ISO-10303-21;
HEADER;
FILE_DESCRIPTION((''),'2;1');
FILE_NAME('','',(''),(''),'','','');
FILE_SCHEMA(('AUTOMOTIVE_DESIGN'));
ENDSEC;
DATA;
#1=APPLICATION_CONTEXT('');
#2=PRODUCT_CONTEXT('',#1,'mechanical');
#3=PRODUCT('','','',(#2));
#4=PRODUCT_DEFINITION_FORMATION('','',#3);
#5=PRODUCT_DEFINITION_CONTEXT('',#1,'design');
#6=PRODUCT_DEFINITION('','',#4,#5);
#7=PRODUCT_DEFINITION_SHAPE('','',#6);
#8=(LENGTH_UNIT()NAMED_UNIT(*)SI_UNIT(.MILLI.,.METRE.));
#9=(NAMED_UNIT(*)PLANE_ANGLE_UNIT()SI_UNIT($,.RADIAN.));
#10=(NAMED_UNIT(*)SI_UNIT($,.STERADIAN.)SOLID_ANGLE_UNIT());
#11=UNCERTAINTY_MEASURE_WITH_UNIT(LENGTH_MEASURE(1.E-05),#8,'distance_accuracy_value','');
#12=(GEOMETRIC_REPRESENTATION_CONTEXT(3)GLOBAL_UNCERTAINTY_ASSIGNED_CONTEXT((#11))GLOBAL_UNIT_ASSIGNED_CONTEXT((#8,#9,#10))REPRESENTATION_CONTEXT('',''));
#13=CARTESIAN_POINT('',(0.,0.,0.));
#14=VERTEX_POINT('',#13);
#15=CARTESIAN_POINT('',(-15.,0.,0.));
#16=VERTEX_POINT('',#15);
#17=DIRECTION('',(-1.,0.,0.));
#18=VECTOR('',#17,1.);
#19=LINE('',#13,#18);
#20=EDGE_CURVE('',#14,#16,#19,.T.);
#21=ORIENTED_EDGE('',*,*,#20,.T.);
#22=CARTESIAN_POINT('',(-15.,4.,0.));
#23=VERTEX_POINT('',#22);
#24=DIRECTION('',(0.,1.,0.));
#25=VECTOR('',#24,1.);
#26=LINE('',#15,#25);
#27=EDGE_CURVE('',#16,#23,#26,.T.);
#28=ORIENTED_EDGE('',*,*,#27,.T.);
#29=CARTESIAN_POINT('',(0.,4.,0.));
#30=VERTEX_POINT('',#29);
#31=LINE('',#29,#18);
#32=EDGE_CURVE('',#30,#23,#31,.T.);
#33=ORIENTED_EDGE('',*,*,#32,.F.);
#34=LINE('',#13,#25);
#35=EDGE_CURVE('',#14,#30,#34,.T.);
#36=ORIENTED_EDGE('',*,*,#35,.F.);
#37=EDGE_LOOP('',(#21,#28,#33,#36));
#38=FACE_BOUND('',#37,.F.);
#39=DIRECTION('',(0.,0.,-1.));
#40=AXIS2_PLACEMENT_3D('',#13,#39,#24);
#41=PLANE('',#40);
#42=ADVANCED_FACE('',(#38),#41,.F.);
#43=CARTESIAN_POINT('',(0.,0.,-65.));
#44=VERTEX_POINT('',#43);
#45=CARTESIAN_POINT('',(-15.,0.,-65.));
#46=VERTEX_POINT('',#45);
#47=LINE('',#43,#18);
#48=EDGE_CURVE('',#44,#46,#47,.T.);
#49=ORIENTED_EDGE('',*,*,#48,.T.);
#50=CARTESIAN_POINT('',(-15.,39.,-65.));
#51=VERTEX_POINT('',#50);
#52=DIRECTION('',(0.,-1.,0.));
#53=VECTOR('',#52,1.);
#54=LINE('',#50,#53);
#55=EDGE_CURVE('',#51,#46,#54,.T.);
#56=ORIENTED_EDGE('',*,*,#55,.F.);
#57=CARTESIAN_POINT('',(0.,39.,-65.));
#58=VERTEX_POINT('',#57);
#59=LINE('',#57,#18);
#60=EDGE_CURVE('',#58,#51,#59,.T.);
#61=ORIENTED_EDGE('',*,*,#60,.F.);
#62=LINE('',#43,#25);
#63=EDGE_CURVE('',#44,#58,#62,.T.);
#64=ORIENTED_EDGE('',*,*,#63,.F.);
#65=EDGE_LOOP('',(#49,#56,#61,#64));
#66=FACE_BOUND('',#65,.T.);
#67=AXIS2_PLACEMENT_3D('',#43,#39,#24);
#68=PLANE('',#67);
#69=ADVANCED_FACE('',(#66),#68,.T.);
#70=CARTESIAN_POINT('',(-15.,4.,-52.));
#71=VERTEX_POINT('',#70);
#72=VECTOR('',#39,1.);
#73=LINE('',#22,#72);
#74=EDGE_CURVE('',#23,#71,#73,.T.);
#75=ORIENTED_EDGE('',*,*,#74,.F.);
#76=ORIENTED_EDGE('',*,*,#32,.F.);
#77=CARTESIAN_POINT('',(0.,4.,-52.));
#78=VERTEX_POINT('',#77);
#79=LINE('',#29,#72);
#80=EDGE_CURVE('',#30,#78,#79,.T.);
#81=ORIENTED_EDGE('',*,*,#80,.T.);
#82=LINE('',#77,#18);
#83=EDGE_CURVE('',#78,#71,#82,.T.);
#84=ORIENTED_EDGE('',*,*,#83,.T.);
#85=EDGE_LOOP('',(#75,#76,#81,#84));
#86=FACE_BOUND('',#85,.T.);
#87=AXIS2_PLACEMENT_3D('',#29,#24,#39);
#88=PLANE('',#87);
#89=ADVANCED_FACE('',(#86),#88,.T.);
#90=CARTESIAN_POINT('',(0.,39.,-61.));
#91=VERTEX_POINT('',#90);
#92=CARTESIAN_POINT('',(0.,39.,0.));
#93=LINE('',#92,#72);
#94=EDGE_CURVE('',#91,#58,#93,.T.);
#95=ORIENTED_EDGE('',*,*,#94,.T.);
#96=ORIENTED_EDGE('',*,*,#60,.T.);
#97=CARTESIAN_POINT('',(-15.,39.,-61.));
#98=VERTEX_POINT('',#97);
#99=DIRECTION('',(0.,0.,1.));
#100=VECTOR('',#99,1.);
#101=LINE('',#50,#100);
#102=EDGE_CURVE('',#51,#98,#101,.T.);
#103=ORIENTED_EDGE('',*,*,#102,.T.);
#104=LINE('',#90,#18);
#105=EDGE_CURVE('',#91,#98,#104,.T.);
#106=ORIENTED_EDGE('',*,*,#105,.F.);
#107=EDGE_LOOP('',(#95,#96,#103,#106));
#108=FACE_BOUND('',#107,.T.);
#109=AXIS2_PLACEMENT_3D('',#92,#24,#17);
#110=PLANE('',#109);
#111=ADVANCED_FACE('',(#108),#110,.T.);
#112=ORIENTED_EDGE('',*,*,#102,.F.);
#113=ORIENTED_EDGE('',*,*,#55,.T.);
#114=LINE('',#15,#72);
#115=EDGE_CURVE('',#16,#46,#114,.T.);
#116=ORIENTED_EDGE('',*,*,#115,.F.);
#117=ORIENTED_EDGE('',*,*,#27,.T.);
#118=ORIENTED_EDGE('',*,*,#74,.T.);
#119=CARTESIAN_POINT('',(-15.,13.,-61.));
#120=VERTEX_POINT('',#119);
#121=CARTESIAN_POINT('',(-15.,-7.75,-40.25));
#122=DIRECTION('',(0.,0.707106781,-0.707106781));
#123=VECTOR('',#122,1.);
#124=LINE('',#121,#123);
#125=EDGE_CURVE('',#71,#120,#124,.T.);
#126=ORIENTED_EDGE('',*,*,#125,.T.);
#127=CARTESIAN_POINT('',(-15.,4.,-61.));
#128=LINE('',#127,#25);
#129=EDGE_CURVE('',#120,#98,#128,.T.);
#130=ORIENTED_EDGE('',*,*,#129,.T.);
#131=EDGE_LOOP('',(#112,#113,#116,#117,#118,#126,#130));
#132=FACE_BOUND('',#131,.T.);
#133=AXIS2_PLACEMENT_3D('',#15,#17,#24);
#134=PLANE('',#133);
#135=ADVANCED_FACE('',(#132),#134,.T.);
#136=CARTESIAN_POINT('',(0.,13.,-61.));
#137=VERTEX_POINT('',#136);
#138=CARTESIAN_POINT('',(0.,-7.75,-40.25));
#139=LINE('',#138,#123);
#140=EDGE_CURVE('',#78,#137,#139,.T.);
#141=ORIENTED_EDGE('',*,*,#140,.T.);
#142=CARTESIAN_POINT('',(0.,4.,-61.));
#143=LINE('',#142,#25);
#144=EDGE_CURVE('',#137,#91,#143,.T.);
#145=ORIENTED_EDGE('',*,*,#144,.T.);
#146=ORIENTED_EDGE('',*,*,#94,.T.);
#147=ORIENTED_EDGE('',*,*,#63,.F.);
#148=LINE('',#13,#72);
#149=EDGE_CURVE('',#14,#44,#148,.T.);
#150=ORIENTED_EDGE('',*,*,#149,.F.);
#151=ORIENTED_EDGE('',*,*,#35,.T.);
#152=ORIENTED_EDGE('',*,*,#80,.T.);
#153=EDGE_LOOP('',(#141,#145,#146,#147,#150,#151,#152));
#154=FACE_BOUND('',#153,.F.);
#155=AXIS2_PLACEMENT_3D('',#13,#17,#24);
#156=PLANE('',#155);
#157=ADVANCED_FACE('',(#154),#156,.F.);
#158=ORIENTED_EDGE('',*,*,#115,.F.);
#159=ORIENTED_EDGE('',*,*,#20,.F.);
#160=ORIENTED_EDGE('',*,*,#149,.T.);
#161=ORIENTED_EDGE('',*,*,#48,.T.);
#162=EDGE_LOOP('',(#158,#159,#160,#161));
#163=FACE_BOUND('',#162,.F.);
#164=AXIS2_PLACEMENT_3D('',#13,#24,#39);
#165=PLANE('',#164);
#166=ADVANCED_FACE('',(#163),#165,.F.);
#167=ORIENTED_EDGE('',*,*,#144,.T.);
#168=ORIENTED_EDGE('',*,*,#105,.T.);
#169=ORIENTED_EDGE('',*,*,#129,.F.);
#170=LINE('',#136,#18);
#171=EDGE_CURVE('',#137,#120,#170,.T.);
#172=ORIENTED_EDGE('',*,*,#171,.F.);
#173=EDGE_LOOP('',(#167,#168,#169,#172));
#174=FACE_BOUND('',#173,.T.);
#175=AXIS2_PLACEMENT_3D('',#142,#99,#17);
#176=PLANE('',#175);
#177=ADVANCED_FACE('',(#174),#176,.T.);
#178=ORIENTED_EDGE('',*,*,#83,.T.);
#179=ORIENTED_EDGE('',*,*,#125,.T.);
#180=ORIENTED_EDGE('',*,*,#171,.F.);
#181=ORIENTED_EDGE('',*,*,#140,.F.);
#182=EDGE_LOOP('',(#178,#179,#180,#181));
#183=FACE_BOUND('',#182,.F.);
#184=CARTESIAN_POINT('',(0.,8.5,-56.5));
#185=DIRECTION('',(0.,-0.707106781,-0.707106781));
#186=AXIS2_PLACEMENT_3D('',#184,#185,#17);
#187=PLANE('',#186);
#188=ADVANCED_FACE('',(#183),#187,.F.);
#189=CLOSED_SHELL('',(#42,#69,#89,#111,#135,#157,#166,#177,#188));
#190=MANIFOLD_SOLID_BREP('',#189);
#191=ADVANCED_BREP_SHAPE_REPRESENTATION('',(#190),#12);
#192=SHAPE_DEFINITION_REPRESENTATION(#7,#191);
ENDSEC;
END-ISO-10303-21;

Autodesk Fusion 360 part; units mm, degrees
box "BoxPrimitive1" add length 65 width 15 height 4 placed x (0, 0, -1) y (-1, 0, 0) z (0, 1, 0) at (0, 0, 0)
sketch "Sketch2" plane through (0, 4, 0) normal (0, 1, 0) x (-1, 0, 0)
  line L0 (0, -65) -> (15, -65)
  line L1 (15, -65) -> (15, 0)
  line L2 (15, 0) -> (0, 0)
  line L3 (0, 0) -> (0, -65)
  line L4 (15, -65) -> (0, -65)
  line L5 (0, -65) -> (0, -61)
  line L6 (0, -61) -> (15, -61)
  line L7 (15, -61) -> (15, -65)
  dimension "d6" = 4
extrude "Extrude1" add sketch "Sketch2" along normal blind 35 contours L0 L1 L3 L4 L5 L6 L7
chamfer "Chamfer1" distance 9 angle 45 1 edges at (-7.5, 4, -61)
